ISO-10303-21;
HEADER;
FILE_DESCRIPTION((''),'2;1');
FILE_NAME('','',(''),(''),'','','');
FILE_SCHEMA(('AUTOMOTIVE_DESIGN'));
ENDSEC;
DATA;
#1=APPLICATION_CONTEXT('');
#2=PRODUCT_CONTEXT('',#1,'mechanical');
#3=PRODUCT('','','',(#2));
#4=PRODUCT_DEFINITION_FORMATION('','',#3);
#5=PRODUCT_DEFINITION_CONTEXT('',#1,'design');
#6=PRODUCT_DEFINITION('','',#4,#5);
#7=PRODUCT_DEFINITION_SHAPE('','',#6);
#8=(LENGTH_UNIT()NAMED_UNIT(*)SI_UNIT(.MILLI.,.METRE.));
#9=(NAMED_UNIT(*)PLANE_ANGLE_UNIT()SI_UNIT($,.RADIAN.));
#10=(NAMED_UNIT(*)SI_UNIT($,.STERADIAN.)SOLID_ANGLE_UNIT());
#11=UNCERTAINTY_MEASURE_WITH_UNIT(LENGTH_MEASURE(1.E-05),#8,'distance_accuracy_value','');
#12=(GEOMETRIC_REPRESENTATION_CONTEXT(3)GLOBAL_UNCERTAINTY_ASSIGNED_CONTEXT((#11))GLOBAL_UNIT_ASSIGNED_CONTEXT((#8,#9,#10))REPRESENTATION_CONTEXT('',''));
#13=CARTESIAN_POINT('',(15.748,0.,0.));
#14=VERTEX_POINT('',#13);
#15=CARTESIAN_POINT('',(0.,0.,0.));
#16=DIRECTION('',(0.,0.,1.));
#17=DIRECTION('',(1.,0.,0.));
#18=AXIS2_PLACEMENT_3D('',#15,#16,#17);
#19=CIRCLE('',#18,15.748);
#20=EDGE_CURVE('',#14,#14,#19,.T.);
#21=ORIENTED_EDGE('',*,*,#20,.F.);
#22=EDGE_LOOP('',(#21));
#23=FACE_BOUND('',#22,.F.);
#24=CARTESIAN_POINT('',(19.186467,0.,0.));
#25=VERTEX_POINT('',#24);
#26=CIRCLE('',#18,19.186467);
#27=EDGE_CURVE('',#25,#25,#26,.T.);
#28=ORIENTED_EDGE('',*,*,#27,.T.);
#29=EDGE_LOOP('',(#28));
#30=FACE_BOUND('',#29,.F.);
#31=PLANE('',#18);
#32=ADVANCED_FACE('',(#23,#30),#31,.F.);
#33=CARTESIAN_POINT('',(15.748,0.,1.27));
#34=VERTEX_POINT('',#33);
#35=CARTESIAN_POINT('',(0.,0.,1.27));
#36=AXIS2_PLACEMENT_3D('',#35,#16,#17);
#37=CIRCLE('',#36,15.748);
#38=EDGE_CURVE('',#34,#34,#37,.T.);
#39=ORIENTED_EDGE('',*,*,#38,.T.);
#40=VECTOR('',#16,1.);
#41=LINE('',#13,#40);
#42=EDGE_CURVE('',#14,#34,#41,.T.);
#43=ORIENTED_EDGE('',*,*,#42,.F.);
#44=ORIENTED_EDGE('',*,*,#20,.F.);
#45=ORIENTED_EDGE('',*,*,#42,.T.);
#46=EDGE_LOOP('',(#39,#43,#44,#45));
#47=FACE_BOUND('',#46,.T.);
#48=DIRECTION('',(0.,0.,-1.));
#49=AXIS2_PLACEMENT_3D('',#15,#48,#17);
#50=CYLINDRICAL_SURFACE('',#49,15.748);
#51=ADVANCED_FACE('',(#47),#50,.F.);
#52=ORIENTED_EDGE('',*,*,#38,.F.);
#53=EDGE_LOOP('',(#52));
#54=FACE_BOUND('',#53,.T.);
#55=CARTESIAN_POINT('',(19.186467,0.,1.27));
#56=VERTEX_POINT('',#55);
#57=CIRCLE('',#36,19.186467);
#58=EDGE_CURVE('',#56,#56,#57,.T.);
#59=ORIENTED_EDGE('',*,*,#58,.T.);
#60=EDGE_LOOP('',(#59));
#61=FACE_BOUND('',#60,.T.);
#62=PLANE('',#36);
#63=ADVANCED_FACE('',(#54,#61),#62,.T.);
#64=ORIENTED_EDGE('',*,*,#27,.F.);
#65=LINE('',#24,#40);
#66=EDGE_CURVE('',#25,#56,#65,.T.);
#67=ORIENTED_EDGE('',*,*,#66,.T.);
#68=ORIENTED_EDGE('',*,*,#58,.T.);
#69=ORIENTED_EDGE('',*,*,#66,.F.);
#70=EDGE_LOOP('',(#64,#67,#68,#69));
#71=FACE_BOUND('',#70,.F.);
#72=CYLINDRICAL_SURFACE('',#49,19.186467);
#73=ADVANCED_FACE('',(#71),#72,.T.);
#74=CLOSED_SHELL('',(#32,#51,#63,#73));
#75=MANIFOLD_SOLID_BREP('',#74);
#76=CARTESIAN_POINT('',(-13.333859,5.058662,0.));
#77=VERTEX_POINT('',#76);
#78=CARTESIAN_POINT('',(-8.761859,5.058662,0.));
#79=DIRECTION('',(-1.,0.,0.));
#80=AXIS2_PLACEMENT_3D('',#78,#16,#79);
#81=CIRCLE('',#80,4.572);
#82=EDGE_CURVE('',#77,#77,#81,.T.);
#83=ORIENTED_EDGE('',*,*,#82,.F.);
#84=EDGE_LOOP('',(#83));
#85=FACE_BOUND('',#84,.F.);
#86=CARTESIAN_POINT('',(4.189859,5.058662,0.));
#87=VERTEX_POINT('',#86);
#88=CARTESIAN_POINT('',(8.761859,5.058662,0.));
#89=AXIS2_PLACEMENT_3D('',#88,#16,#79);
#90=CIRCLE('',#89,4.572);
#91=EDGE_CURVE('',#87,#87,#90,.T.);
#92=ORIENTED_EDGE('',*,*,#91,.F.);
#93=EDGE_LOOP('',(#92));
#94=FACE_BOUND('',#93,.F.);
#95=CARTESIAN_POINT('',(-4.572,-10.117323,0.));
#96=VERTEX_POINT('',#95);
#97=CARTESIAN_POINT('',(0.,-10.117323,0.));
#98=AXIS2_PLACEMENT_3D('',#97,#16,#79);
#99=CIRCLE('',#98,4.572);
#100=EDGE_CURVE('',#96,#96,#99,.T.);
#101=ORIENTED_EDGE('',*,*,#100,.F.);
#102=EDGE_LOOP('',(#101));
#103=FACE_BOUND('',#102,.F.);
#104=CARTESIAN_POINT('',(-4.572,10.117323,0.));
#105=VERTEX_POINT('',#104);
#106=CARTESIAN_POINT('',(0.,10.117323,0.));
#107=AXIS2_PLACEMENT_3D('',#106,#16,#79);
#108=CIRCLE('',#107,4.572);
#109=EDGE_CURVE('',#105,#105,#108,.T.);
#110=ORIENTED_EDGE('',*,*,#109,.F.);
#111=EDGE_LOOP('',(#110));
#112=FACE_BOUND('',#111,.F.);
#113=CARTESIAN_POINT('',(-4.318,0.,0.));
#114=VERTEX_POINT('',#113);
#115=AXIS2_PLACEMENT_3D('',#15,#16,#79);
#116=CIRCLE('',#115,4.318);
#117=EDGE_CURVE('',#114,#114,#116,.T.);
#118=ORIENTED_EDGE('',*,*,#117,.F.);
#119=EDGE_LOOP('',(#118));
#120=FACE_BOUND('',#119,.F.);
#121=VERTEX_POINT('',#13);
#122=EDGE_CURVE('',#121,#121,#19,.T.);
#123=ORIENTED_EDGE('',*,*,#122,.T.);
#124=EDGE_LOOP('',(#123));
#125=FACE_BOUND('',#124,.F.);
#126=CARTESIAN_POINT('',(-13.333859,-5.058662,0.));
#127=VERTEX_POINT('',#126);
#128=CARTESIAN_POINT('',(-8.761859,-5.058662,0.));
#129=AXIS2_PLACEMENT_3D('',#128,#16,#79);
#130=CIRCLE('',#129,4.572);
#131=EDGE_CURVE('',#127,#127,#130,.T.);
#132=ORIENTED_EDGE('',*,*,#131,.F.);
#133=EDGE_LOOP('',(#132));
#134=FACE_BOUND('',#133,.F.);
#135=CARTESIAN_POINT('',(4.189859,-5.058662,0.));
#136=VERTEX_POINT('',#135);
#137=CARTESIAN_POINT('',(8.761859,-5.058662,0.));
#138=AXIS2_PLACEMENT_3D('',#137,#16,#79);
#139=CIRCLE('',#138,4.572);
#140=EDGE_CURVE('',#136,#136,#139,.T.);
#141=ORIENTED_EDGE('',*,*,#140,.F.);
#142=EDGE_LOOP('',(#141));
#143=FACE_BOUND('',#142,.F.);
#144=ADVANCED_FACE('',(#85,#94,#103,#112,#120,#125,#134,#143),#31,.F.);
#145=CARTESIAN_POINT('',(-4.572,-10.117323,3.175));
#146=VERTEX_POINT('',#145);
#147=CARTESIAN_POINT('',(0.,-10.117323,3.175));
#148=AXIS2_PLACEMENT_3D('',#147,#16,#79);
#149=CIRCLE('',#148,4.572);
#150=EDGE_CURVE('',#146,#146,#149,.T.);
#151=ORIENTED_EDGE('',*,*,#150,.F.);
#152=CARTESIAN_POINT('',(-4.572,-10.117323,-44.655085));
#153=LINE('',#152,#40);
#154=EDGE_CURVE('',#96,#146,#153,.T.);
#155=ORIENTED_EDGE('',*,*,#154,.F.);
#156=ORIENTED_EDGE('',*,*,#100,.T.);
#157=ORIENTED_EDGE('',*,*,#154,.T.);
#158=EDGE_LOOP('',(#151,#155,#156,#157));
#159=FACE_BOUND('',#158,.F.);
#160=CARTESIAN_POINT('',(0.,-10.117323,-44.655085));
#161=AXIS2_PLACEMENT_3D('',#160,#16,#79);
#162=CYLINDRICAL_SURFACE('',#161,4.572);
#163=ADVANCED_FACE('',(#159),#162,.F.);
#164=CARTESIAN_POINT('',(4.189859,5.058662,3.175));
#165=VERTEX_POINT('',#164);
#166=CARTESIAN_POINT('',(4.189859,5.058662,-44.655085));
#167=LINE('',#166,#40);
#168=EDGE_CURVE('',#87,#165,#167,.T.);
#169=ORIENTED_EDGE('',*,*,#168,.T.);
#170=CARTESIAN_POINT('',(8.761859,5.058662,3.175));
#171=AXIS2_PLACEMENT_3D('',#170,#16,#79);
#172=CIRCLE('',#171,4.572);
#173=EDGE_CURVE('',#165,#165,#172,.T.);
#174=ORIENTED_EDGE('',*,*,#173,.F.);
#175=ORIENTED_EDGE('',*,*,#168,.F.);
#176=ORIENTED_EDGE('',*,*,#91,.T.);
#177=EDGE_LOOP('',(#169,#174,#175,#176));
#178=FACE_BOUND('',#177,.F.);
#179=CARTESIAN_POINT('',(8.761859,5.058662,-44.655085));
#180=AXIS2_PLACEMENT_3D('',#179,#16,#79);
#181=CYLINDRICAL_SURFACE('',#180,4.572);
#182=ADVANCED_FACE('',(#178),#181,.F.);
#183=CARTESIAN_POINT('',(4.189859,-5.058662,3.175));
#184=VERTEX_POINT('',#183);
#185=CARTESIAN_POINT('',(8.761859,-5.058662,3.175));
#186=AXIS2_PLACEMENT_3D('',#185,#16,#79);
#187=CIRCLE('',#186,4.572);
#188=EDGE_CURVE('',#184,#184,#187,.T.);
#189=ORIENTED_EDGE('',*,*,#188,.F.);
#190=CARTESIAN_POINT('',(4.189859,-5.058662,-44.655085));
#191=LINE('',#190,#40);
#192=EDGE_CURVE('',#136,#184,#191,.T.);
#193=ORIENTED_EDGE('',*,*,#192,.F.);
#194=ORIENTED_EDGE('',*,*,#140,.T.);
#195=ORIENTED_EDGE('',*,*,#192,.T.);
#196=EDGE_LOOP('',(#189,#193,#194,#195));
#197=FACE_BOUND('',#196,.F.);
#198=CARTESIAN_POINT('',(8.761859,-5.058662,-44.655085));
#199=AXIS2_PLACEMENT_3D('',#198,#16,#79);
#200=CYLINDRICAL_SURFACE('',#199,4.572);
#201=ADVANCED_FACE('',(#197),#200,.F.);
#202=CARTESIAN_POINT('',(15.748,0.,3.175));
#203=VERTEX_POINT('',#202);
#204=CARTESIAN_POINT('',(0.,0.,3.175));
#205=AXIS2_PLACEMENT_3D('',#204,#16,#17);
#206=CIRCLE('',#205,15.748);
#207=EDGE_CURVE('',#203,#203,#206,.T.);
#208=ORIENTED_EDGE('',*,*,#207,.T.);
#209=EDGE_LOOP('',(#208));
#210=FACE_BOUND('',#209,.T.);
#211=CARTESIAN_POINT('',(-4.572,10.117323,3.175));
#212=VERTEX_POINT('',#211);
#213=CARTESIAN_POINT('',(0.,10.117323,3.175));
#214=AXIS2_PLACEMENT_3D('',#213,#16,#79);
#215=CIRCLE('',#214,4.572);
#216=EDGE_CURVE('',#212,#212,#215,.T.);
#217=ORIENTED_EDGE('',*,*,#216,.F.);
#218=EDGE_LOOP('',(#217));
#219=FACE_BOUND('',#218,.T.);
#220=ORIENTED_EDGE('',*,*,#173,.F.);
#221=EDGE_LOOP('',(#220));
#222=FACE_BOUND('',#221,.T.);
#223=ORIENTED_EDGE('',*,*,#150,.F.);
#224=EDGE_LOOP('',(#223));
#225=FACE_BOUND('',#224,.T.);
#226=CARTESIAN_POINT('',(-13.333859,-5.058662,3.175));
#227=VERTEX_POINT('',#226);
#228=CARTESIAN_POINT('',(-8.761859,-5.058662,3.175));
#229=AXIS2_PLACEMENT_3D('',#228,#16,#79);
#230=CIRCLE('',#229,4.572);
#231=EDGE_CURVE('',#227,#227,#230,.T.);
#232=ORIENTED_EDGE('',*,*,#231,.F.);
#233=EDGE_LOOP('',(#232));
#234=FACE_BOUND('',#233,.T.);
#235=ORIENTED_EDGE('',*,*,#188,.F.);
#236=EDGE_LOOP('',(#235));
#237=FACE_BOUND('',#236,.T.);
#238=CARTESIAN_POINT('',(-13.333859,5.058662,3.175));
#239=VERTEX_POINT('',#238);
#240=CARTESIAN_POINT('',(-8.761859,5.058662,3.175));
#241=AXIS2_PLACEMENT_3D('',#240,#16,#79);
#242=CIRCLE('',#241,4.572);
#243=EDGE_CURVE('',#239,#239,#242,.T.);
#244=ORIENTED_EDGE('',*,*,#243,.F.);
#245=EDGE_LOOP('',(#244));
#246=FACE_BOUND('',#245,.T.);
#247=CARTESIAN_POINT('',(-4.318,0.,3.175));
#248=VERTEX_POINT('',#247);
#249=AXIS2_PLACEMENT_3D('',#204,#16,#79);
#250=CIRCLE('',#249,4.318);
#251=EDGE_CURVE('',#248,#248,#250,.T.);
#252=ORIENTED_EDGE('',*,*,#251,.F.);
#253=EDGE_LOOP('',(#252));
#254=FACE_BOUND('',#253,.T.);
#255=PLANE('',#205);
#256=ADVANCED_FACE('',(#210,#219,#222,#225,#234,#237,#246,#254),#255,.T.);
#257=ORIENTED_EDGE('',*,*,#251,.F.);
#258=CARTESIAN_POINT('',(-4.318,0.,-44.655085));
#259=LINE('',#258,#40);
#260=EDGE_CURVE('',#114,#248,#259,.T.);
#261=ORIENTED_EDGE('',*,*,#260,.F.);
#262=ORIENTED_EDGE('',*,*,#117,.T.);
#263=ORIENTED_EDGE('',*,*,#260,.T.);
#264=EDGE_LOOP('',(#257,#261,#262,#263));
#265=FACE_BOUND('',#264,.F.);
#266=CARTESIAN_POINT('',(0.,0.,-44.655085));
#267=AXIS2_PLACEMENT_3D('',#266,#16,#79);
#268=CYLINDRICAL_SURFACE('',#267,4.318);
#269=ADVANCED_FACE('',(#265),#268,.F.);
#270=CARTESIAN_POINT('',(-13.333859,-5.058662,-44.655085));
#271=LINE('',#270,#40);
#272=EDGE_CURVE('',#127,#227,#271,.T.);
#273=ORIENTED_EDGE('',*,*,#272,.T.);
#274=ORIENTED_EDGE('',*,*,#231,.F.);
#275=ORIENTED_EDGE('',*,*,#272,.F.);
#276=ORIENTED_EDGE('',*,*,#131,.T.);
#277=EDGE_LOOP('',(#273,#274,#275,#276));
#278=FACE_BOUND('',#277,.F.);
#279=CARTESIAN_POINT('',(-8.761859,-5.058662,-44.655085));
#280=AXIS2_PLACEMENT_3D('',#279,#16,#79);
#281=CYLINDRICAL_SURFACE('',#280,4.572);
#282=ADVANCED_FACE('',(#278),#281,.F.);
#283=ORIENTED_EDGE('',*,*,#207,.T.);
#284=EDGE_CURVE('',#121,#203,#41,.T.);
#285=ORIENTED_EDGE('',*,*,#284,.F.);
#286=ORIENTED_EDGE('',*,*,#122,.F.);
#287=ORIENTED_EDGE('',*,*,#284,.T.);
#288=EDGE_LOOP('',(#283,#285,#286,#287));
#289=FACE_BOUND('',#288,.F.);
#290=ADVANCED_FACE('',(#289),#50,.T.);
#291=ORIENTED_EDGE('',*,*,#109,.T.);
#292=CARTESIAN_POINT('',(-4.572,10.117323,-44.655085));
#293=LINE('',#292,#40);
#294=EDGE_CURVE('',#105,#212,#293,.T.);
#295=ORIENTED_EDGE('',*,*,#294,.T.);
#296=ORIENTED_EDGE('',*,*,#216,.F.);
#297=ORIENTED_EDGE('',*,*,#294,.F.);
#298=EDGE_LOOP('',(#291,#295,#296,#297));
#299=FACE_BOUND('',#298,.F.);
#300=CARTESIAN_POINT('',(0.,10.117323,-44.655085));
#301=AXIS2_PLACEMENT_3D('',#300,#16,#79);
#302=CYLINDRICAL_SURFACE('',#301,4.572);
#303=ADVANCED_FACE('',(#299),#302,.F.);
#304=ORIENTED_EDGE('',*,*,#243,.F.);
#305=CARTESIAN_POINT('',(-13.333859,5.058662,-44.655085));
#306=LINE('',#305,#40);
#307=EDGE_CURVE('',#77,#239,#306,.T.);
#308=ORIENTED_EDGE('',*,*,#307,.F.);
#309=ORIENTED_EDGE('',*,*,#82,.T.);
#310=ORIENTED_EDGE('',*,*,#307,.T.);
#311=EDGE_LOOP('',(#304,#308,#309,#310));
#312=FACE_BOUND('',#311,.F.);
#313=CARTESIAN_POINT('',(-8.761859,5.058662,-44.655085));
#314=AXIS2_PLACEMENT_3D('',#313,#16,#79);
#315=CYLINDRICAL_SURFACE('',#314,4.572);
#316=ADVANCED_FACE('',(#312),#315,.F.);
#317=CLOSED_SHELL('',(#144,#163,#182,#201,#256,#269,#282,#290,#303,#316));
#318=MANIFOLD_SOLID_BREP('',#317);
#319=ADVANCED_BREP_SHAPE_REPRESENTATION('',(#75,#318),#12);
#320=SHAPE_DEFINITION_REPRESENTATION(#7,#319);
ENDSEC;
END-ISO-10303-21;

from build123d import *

# Parameters (mm, degrees)
F0_R     = 15.748
F1_DEPTH = 3.175
F0_R_2   = 19.186467
F2_DEPTH = 1.27
F3_D     = 8.636
F4_D     = 9.144


with BuildPart() as f1:
    # F0 (on Top) → F1 (new body)
    with BuildSketch(Plane.XY):
        Circle(F0_R)
    extrude(amount=F1_DEPTH)

    # F3 (through all)
    with Locations(Plane(origin=(0, 0, 0), x_dir=(1, 0, 0), z_dir=(0, 0, -1))):
        with Locations((0, 0)):
            Hole(F3_D / 2)

    # F4 (through all)
    with Locations(Plane(origin=(0, 0, 0), x_dir=(1, 0, 0), z_dir=(0, 0, -1))):
        with Locations((0, 10.117323), (8.761859, 5.058662), (8.761859, -5.058662), (0, -10.117323), (-8.761859, -5.058662), (-8.761859, 5.058662)):
            Hole(F4_D / 2)


with BuildPart() as f2:
    # F0 (on Top) → F2 (new body)
    with BuildSketch(Plane.XY):
        Circle(F0_R_2)
        Circle(F0_R, mode=Mode.SUBTRACT)
    extrude(amount=F2_DEPTH)


solid = Compound([f1.part, f2.part])
